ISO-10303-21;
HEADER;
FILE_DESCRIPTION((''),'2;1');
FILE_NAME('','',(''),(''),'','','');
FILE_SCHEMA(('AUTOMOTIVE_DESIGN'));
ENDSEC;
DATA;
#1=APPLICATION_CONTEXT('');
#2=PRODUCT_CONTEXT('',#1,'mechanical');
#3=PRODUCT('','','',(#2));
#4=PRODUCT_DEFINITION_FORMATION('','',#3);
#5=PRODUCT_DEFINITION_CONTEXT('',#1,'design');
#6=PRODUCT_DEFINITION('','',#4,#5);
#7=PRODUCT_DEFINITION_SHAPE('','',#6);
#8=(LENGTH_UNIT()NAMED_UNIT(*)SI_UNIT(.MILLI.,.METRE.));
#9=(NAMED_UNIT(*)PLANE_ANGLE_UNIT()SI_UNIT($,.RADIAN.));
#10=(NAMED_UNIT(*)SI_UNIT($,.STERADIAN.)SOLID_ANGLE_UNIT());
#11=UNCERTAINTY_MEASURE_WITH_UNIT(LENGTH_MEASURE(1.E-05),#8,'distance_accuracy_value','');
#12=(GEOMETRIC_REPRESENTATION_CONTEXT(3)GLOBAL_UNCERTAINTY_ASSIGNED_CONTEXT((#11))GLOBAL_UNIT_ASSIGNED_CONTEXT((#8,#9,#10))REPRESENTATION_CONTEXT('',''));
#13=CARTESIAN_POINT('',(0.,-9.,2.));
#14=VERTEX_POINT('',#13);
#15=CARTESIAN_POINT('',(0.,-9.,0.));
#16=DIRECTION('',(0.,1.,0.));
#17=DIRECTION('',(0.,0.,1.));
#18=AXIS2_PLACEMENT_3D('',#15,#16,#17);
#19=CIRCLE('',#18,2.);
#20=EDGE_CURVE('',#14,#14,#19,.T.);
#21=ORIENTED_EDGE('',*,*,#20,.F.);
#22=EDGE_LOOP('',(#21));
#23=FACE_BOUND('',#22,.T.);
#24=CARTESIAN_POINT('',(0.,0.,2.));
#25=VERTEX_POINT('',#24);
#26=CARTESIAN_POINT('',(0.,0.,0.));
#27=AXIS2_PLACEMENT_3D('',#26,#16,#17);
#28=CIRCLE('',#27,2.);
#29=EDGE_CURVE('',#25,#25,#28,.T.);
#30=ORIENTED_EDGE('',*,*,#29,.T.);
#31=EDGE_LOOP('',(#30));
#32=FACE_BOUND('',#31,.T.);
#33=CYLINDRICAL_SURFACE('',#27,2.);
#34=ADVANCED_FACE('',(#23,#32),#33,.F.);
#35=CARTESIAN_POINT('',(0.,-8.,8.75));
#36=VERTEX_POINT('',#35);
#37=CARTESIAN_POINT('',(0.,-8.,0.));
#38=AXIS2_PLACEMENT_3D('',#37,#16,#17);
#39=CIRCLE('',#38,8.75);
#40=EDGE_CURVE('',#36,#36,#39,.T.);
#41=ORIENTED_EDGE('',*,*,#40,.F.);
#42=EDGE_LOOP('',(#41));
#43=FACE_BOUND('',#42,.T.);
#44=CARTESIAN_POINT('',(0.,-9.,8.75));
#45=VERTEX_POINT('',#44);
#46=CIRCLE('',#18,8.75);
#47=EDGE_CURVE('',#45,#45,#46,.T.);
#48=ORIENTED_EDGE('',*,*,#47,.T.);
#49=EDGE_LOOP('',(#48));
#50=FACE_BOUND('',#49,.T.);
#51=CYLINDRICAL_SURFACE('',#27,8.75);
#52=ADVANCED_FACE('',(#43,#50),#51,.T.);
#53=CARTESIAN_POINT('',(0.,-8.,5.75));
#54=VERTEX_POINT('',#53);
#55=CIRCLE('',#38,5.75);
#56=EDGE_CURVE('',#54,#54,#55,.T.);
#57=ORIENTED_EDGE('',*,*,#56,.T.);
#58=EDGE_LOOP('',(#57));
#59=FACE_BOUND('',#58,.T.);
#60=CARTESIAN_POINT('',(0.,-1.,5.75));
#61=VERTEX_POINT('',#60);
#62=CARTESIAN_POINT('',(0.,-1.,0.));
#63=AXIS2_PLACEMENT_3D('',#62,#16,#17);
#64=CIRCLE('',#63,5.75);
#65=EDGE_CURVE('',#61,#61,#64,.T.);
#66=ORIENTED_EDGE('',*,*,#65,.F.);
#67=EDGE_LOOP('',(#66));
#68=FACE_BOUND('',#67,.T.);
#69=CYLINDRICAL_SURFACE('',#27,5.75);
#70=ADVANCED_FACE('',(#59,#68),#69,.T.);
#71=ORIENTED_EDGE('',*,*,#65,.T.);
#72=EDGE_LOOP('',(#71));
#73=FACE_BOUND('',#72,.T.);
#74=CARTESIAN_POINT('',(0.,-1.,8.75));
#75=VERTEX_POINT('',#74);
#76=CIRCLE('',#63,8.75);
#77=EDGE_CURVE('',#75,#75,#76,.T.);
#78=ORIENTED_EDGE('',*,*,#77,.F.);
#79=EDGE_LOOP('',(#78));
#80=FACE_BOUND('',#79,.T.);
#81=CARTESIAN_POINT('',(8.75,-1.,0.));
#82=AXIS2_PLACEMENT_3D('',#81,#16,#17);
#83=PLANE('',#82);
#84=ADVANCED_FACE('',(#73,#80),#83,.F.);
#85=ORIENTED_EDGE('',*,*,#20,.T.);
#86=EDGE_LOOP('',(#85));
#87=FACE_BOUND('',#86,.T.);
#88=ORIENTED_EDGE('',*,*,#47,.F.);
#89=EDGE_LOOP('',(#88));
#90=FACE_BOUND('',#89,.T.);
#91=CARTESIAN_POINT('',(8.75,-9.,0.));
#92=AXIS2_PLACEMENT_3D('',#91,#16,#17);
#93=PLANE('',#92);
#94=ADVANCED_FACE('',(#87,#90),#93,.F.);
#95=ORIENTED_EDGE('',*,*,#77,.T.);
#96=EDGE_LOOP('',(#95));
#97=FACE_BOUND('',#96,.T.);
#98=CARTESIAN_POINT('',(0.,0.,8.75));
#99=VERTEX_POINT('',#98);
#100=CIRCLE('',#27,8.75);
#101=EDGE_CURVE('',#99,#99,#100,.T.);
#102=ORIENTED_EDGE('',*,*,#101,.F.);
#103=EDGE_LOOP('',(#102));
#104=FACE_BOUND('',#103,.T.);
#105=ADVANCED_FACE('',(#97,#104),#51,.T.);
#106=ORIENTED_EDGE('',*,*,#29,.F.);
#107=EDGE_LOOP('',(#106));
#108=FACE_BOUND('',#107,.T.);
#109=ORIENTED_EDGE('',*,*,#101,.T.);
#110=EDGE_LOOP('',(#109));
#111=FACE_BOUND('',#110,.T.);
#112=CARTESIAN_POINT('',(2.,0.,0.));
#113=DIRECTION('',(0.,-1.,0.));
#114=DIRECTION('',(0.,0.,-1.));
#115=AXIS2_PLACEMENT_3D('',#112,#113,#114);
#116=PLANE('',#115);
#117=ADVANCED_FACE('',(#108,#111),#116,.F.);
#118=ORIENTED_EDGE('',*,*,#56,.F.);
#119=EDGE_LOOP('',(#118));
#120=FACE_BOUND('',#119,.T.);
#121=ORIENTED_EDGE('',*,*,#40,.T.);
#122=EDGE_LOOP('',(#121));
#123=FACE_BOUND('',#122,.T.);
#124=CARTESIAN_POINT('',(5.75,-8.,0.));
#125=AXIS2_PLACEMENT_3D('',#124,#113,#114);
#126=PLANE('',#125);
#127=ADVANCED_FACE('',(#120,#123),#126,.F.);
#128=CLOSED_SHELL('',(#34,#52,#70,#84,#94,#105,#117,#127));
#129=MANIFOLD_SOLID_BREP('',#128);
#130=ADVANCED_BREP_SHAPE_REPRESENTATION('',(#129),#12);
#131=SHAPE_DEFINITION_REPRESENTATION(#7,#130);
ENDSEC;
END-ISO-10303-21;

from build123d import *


with BuildPart() as part:
    # Sketch1 → Revolve1 (revolve)
    with BuildSketch(Plane.XY, mode=Mode.PRIVATE) as revolve1_sk:
        Polygon((2, 0), (8.75, 0), (8.75, -1), (5.75, -1), (5.75, -8), (8.75, -8), (8.75, -9), (2, -9), align=None)
    revolve(revolve1_sk.sketch.rotate(Axis((0, 0, 0), (0, -1, 0)), 90), axis=Axis((0, 0, 0), (0, -1, 0)))


solid = part.part
